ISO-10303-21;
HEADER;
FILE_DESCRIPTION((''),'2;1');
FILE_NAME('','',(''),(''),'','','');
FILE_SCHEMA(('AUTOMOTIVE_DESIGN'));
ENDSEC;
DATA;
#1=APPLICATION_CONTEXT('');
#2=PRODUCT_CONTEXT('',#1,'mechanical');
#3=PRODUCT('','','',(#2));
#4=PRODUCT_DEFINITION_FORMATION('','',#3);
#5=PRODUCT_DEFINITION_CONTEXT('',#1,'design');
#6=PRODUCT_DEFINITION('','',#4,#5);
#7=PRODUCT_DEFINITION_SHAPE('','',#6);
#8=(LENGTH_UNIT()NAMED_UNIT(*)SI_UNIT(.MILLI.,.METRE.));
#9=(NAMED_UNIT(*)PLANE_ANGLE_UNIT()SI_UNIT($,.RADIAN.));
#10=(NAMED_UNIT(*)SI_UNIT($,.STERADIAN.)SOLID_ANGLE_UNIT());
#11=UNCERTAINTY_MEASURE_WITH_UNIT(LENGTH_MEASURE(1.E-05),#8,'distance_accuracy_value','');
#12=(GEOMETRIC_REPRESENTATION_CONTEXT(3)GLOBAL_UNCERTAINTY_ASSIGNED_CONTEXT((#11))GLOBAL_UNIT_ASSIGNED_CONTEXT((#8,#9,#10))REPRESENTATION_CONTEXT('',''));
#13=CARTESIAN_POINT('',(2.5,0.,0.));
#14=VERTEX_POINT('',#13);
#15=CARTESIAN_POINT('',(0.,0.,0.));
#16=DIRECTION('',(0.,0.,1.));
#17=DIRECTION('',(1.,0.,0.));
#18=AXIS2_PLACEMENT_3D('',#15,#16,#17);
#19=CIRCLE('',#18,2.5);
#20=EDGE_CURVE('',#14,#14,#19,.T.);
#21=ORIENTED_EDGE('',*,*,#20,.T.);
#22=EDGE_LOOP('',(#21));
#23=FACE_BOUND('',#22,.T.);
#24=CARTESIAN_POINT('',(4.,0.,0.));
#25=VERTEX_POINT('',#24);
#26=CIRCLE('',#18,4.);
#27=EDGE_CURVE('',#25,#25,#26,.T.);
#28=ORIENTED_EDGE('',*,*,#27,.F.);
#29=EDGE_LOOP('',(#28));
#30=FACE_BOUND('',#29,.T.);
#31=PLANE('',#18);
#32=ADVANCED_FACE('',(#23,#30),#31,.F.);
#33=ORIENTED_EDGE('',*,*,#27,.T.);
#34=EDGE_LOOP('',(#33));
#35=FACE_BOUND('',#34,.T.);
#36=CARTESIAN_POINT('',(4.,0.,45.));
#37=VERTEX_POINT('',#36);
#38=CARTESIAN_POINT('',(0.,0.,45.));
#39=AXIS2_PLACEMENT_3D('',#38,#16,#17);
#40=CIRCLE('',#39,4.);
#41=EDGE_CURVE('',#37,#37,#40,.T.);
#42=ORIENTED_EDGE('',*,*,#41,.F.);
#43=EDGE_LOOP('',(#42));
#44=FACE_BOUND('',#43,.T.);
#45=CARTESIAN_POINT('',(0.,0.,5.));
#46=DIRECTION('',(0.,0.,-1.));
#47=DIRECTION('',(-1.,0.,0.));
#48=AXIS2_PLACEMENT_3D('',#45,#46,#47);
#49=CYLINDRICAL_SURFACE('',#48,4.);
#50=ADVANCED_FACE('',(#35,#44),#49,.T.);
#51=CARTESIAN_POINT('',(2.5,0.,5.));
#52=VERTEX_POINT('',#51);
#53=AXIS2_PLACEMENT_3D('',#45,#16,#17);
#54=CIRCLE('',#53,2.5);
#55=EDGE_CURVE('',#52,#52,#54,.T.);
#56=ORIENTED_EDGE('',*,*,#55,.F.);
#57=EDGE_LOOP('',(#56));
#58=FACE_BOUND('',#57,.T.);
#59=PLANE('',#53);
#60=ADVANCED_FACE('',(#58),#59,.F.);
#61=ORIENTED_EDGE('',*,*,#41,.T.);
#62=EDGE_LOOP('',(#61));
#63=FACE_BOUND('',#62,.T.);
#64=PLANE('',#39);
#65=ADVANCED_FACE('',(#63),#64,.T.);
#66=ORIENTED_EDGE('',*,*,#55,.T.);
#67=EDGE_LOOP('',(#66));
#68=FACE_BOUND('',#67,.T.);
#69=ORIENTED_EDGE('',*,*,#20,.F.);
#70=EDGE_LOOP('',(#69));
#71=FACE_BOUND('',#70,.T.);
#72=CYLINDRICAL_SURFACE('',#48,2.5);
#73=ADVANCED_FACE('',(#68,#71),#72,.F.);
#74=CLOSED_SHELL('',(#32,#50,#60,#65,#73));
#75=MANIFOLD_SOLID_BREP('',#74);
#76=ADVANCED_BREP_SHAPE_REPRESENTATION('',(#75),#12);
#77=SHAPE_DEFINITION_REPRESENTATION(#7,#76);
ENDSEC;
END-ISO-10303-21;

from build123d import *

# Parameters (mm, degrees)
SKETCH2_R           = 4
SKETCH2_R_2         = 2.5
BOSS_EXTRUDE1_DEPTH = 5
SKETCH3_R           = 4
BOSS_EXTRUDE2_DEPTH = 40


with BuildPart() as part:
    # Sketch2 → Boss-Extrude1 (new body)
    with BuildSketch(Plane.XY):
        Circle(SKETCH2_R)
        Circle(SKETCH2_R_2, mode=Mode.SUBTRACT)
    extrude(amount=BOSS_EXTRUDE1_DEPTH)

    # Sketch3 → Boss-Extrude2 (add)
    with BuildSketch(Plane.XY.offset(5)):
        Circle(SKETCH3_R)
    extrude(amount=BOSS_EXTRUDE2_DEPTH)


solid = part.part
